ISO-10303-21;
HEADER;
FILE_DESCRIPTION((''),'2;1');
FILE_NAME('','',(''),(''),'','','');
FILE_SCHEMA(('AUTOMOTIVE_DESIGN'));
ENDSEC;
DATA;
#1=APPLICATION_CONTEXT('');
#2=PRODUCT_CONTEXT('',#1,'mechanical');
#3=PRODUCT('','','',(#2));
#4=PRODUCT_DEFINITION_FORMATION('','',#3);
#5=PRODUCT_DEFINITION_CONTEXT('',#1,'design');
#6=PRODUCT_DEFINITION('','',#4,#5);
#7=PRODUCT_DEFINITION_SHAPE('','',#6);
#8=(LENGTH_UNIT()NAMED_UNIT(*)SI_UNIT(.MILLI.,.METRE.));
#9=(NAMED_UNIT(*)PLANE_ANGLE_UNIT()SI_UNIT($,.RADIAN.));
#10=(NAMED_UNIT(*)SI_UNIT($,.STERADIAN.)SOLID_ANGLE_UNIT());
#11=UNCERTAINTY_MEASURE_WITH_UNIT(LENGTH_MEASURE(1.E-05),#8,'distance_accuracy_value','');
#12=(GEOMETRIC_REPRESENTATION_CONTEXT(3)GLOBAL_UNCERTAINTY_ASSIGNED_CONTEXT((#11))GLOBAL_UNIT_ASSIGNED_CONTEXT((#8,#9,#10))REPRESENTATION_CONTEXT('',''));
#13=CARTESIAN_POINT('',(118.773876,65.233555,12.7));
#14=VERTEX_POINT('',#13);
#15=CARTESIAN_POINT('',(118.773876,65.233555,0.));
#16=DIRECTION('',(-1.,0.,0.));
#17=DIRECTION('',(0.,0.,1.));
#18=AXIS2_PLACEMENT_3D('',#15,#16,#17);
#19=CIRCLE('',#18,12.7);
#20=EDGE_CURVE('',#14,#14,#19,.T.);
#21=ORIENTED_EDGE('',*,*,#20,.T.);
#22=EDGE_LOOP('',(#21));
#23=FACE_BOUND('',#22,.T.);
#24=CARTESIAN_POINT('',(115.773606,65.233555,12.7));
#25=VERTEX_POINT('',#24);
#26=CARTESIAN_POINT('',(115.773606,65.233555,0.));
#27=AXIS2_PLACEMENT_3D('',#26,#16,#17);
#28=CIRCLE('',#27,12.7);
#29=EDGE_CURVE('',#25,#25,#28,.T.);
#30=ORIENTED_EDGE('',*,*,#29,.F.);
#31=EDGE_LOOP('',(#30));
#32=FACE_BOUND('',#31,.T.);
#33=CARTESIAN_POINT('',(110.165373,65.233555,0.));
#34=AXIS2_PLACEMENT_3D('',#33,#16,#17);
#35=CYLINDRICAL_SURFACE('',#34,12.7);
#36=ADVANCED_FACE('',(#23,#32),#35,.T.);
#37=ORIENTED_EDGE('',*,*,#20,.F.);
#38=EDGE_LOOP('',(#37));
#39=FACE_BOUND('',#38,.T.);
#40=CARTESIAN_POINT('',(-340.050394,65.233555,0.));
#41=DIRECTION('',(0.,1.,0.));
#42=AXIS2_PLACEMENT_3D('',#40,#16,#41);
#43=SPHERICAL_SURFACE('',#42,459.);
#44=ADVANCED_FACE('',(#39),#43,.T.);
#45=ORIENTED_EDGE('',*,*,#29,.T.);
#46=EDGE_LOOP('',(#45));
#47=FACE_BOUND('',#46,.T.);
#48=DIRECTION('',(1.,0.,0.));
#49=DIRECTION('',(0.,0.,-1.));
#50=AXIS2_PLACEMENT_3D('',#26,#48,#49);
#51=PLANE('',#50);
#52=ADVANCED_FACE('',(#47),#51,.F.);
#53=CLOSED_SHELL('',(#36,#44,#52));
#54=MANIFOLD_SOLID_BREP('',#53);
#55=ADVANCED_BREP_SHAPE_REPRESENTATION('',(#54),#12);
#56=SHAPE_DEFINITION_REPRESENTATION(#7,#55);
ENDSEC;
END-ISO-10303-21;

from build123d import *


with BuildPart() as part:
    # 草图1 → 旋转1 (revolve)
    with BuildSketch(Plane.XY):
        with BuildLine():
            Line((115.773606431, 65.233554926), (115.773606431, 77.933554926))
            Line((115.773606431, 77.933554926), (118.773875623, 77.933554926))
            ThreePointArc((118.773875623, 77.933554926), (118.905671626, 71.584162797), (118.949606431, 65.233554926))
            Line((118.949606431, 65.233554926), (115.773606431, 65.233554926))
        make_face()
    revolve(axis=Axis((110.165373228, 65.233554926, 0), (1, 0, 0)))


solid = part.part
